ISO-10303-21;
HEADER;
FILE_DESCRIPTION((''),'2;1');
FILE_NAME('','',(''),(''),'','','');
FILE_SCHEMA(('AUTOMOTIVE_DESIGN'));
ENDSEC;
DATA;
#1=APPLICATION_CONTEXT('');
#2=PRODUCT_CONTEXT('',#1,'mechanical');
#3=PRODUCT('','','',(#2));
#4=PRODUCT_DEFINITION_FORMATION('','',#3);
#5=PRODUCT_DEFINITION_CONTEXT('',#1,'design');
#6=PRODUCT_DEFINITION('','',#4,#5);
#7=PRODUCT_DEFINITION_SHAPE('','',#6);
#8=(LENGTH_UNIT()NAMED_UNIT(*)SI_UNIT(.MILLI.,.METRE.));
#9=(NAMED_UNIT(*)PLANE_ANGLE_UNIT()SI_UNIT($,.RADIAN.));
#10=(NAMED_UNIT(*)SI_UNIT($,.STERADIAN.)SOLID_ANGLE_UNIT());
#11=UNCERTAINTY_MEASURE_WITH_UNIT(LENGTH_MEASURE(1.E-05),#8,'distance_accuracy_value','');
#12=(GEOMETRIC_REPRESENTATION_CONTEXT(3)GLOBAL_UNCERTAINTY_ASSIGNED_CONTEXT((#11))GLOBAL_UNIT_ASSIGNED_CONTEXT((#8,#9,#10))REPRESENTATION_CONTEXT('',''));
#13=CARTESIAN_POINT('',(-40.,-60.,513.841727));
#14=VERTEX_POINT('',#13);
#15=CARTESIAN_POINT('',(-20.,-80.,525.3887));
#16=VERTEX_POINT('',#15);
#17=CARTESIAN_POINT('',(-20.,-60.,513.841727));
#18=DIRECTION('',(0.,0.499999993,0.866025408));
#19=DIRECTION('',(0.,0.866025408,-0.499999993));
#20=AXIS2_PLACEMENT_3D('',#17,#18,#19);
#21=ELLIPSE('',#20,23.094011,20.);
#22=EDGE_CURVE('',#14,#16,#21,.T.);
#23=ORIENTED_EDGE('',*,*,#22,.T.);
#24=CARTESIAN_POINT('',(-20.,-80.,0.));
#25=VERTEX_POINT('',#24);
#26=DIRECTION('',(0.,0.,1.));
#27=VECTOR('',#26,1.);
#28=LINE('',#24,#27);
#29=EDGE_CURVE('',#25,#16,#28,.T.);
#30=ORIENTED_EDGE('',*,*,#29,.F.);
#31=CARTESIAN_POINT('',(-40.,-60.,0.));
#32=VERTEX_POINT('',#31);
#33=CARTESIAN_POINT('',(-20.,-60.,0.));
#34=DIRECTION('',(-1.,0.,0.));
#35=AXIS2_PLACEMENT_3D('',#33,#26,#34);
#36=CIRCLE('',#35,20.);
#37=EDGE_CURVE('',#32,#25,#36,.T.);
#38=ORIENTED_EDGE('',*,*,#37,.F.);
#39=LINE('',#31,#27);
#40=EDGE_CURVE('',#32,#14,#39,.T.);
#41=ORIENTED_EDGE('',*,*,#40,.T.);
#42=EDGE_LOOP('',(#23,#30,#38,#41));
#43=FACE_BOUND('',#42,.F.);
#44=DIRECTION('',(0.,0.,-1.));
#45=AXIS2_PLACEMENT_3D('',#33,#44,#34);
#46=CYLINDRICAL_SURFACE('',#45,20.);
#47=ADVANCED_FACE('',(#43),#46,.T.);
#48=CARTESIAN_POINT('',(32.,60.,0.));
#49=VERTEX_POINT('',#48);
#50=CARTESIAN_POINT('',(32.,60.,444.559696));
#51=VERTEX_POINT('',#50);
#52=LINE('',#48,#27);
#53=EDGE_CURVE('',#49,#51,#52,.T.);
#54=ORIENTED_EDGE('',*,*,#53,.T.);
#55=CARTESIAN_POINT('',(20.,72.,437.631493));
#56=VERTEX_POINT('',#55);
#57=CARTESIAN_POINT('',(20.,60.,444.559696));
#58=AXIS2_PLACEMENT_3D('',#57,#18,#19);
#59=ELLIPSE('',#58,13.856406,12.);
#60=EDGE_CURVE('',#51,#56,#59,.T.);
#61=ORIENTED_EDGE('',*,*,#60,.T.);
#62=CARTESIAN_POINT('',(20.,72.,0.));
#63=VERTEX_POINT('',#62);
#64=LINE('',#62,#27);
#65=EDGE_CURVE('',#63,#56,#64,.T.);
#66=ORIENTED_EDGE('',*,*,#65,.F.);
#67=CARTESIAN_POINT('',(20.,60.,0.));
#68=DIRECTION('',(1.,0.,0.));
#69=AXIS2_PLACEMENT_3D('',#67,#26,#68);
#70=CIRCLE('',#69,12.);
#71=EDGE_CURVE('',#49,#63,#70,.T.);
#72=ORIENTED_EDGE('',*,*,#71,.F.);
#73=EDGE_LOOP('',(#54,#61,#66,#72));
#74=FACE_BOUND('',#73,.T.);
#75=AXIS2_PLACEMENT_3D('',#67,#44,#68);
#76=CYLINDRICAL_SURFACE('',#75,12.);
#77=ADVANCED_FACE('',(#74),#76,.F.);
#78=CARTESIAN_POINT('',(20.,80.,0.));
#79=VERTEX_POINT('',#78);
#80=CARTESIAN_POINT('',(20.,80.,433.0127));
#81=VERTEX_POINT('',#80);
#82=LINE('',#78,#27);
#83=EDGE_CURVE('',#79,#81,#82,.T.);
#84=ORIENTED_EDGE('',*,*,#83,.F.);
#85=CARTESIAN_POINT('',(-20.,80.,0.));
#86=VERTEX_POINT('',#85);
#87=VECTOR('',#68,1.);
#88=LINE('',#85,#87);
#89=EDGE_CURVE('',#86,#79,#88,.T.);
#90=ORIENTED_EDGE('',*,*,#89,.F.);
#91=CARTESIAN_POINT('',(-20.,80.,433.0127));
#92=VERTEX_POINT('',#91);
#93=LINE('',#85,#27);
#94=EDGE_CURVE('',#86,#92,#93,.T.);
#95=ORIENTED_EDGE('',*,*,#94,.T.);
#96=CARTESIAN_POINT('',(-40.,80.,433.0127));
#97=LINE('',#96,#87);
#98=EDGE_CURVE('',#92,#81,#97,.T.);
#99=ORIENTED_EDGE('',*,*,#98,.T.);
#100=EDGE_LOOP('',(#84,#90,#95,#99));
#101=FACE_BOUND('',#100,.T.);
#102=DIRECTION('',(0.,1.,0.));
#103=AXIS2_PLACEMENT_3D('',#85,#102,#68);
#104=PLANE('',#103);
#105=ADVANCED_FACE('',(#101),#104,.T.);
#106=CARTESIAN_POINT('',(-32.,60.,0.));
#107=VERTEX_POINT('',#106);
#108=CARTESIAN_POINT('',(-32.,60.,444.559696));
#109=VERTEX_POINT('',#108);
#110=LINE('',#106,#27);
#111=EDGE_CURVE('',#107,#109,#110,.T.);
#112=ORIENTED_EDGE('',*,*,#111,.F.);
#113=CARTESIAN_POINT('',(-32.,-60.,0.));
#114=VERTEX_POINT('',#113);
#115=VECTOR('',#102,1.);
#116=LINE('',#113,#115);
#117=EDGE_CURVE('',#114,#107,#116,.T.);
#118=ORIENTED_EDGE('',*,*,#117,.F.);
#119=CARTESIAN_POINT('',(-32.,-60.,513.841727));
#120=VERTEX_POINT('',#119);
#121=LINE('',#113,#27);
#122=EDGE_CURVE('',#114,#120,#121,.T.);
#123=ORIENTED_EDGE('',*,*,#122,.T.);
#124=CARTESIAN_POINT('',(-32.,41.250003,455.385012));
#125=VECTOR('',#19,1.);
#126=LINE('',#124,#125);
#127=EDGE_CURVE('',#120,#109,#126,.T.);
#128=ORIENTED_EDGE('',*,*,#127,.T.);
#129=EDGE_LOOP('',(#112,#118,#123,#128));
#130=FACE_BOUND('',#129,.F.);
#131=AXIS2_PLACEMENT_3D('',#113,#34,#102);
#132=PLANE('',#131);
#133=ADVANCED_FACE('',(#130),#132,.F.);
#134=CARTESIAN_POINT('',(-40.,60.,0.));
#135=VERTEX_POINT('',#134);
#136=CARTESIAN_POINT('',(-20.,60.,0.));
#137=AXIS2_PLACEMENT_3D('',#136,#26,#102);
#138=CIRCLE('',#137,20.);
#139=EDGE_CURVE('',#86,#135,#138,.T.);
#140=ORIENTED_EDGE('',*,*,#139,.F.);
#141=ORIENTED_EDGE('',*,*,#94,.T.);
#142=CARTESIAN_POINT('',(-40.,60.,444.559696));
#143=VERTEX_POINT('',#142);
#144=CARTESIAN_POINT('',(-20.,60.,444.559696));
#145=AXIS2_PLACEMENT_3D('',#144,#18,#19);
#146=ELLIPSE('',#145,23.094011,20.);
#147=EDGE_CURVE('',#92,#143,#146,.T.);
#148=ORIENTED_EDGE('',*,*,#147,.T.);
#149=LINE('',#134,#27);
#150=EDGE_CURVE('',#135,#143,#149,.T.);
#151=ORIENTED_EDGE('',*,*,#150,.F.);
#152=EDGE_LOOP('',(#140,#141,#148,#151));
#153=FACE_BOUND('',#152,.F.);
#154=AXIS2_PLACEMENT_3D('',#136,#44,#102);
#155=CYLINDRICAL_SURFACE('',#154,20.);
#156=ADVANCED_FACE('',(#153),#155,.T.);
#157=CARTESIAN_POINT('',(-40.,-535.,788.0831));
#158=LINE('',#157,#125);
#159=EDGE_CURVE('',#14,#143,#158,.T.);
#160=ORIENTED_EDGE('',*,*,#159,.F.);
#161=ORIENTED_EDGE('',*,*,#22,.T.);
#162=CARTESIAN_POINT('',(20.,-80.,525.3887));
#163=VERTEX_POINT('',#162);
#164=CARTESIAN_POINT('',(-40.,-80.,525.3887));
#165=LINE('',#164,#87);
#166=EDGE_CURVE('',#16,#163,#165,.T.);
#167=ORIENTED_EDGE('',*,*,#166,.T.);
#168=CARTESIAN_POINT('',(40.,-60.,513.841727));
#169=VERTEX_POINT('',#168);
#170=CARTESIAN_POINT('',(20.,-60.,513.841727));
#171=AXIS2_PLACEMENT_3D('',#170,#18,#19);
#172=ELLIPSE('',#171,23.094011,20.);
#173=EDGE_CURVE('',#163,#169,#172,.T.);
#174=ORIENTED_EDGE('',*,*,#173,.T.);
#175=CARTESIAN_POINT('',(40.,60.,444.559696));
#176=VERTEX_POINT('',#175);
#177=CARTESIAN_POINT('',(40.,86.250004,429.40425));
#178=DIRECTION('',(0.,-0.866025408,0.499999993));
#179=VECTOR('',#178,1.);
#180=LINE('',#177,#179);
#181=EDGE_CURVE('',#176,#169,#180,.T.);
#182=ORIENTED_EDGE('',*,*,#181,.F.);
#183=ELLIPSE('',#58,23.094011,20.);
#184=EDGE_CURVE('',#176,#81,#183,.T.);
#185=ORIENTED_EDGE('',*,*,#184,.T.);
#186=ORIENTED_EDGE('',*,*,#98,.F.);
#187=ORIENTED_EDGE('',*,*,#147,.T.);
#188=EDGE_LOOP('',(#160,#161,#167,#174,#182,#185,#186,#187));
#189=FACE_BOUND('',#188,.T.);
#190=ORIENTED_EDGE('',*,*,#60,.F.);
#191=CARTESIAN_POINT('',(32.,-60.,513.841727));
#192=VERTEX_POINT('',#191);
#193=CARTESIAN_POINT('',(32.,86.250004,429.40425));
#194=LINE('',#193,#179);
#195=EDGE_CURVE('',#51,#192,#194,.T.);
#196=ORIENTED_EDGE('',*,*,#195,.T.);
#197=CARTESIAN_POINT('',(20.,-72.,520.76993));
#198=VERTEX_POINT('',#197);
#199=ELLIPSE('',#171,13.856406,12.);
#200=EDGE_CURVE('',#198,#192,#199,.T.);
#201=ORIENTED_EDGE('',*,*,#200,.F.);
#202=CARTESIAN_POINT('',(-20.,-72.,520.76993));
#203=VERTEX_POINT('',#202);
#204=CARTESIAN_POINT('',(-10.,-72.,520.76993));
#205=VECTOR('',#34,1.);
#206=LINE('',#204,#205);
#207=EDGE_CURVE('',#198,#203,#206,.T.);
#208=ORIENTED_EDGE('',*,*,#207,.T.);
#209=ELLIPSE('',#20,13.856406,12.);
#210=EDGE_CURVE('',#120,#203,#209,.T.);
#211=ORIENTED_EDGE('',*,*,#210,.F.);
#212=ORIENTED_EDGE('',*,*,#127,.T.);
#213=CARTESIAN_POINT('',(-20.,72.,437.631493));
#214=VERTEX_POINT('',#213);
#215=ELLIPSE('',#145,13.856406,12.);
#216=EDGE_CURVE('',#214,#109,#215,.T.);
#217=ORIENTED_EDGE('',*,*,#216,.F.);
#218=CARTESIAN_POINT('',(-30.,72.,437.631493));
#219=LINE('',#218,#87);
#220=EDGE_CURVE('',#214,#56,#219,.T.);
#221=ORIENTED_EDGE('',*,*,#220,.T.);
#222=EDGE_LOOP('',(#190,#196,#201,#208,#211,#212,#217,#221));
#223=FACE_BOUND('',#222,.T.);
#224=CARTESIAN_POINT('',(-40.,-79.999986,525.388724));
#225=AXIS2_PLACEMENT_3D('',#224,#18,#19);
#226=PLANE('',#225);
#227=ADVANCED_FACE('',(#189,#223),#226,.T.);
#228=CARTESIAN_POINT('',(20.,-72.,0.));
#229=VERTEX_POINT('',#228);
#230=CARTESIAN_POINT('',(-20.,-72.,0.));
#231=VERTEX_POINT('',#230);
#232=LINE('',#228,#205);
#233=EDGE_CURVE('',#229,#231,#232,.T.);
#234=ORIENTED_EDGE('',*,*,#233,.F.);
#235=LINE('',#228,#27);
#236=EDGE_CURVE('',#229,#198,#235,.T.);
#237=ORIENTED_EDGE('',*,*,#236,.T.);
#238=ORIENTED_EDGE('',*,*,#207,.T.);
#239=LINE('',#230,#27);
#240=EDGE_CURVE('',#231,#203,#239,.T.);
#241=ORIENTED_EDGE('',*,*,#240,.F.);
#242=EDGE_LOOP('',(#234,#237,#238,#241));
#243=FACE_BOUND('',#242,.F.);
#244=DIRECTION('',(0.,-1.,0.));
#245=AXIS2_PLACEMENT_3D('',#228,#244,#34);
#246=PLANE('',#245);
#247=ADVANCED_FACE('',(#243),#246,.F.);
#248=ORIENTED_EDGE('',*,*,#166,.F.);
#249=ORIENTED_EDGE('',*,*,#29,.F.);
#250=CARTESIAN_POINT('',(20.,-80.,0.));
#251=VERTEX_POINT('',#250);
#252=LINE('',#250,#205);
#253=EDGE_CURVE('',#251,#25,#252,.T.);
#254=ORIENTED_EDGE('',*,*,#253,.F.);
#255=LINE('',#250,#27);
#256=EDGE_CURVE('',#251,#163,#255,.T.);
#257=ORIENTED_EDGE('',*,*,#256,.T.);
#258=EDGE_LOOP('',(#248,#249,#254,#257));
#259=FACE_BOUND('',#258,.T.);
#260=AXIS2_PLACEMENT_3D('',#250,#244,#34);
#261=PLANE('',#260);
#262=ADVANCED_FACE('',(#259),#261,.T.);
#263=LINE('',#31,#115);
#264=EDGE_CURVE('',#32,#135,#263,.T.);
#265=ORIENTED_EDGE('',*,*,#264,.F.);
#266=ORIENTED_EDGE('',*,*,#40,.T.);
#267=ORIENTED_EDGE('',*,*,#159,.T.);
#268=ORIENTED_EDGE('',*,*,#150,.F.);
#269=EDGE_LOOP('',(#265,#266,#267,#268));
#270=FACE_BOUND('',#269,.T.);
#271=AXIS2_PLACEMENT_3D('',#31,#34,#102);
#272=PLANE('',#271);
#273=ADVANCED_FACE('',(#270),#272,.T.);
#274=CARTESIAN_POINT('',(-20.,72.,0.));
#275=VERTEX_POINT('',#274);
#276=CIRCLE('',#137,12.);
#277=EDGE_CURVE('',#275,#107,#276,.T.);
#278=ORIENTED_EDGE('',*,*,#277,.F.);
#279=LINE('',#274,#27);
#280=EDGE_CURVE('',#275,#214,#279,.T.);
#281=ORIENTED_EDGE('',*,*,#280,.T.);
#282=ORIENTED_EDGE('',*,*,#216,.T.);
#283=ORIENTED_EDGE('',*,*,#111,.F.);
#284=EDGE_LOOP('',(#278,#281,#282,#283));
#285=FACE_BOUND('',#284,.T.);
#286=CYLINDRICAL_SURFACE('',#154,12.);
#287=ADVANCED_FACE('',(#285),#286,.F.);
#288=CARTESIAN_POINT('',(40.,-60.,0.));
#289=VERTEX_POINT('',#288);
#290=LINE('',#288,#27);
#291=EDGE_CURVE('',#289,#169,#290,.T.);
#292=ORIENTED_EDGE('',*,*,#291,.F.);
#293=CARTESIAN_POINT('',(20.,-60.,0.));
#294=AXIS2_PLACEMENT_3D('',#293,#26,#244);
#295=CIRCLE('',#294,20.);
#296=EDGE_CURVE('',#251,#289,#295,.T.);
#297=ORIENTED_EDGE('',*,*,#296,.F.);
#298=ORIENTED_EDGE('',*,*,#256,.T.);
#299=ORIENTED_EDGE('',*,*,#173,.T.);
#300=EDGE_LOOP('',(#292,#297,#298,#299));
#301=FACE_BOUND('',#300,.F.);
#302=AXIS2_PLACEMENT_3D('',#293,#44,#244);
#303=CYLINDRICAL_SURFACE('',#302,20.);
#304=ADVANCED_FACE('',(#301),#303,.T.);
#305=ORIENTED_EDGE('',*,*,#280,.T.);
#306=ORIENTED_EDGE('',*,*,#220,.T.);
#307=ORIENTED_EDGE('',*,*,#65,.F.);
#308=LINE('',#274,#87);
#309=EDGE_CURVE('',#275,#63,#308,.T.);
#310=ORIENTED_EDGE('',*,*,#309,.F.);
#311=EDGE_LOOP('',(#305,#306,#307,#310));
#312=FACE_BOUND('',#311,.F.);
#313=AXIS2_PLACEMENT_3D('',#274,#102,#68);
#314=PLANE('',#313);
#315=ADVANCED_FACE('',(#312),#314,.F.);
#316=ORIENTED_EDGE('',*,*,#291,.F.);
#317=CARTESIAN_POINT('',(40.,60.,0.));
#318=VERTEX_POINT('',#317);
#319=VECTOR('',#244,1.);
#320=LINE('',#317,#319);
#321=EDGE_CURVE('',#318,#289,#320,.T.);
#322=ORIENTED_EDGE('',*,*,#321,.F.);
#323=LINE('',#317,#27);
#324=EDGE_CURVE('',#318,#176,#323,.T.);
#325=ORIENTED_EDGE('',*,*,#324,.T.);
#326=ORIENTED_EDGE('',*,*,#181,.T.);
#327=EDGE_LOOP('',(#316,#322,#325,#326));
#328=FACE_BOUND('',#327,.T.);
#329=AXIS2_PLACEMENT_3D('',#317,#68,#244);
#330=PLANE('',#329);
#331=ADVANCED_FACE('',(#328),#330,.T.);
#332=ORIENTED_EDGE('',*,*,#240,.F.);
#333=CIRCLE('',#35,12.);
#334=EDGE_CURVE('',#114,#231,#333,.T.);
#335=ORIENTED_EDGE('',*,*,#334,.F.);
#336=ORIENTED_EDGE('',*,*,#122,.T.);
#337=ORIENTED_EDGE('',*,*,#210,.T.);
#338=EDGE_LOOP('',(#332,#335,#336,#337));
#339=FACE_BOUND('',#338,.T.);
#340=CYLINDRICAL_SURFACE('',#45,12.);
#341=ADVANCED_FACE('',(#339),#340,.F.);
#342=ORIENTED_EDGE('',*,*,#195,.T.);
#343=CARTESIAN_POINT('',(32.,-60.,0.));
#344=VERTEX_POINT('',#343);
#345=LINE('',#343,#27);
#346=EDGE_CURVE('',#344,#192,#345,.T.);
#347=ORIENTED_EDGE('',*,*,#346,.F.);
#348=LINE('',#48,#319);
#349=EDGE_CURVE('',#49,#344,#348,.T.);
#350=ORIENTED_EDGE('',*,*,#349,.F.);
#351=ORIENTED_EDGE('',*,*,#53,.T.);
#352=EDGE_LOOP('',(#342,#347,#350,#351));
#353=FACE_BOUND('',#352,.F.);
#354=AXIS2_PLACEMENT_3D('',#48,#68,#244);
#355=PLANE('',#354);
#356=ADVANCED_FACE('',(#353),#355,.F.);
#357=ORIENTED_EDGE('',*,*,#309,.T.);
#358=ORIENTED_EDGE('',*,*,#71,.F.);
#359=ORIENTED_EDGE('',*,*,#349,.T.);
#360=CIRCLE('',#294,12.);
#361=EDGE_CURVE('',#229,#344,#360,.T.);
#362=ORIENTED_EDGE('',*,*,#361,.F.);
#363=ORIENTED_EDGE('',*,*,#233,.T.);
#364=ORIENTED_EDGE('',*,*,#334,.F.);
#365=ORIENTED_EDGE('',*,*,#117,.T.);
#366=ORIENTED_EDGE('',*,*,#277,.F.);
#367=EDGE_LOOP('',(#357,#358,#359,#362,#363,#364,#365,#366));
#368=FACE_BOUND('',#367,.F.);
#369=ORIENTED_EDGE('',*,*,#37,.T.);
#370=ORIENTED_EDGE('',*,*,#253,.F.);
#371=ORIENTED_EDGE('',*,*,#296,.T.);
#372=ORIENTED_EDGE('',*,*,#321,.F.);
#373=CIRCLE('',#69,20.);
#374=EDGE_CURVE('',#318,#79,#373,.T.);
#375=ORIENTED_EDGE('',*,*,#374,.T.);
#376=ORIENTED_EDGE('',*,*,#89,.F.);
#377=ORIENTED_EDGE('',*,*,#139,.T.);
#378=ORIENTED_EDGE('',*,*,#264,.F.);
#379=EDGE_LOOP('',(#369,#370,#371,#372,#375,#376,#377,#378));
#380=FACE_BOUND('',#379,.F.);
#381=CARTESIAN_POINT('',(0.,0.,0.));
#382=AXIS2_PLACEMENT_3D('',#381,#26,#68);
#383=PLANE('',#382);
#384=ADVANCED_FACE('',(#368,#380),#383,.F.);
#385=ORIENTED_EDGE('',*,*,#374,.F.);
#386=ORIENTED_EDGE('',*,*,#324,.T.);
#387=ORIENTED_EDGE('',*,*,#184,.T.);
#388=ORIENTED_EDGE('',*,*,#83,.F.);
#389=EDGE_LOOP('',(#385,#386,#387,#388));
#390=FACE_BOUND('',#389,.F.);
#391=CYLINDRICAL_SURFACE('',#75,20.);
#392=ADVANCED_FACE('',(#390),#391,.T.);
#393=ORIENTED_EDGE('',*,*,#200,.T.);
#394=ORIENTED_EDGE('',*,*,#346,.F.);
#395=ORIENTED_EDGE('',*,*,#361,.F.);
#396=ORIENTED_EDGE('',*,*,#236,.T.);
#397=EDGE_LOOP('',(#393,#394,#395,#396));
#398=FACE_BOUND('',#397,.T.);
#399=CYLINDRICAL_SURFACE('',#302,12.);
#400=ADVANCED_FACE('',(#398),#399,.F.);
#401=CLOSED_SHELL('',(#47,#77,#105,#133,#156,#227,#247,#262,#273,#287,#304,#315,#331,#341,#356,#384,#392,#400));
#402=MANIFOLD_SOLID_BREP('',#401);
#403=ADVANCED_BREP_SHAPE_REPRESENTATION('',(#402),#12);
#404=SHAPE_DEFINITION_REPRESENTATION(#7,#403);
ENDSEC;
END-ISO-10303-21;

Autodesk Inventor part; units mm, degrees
ref_plane "YZ Plane" through (0, 0, 0) normal (1, 0, 0) x (0, 1, 0)
ref_plane "Start plane" through (0, 0, 0) normal (0, 0, 1) x (1, 0, 0)
ref_plane "End plane" through (0, 0, 545) normal (0, 0, 1) x (1, 0, 0)
sketch "Sketch" plane through (0, 0, 0) normal (0, 0, 1) x (1, 0, 0)
  line L0 (-40, -60) -> (-40, 60)
  line L1 (-20, 80) -> (20, 80)
  line L2 (40, 60) -> (40, -60)
  line L3 (20, -80) -> (-20, -80)
  arc A0 (-40, -60) -> (-20, -80) centre (-20, -60) ccw
  arc A1 (-20, 80) -> (-40, 60) centre (-20, 60) ccw
  arc A2 (40, 60) -> (20, 80) centre (20, 60) ccw
  arc A3 (20, -80) -> (40, -60) centre (20, -60) ccw
  arc A4 (-20, 72) -> (-32, 60) centre (-20, 60) ccw
  line L4 (-20, 72) -> (20, 72)
  arc A5 (32, 60) -> (20, 72) centre (20, 60) ccw
  line L5 (32, 60) -> (32, -60)
  arc A6 (20, -72) -> (32, -60) centre (20, -60) ccw
  line L6 (20, -72) -> (-20, -72)
  arc A7 (-32, -60) -> (-20, -72) centre (-20, -60) ccw
  line L7 (-32, -60) -> (-32, 60)
  line L8 (0, 37.1021) -> (0, -37.1021) construction
  line L9 (-23.1021, 0) -> (23.1021, 0) construction
  dimension "d7" = 20
  dimension "d10" = 160
  dimension "d11" = 80
  dimension "d12" = 8
  dimension "d15" = 80
  dimension "d16" = 40
extrude "Body" add sketch "Sketch" along normal up to surface (545 mm away) from surface at 0
sketch "Sketch3" plane through (0, 0, 0) normal (0, 0, 1) x (1, 0, 0)
  line L0 (0, 0) -> (10, 0)
ref_plane "Work Plane3" through (0, 0, 0) normal (0, -1, 0) x (1, 0, 0)
sketch "Sketch4" plane through (0, 0, 0) normal (0, -1, 0) x (1, 0, 0)
  line L0 (-2, 0) -> (12, 0)
  line L1 (-2, 545) -> (12, 545)
  dimension "d18" = 545
sketch "Sketch5" plane through (-40, 60, 0) normal (-1, 0, 0) x (0, 0, 1)
  line L0 (798.4754, -589) -> (426.7254, 54.8899) projected
  line L1 (788.0831, -595) -> (416.3331, 48.8899) projected
  line L2 (0, 20) -> (545, 20) projected
  line L3 (433.0127, 20) -> (525.3887, -140)
  line L4 (0, -140) -> (545, -140) projected
  line L5 (433.0127, 20) -> (567.7194, 91.9872)
  line L6 (567.7194, 91.9872) -> (571.1122, -140)
  line L7 (571.1122, -140) -> (538.6384, -147.4465)
  line L8 (538.6384, -147.4465) -> (525.3887, -140)
  point P0 (0, -60)
extrude "Extrusion2" cut sketch "Sketch5" against normal blind 92
equation "\"d7\" = G_IR"
equation "\"d10\" = G_H"
equation "\"d11\" = G_W"
equation "\"d12\" = G_T"
equation "\"d15\" = 0.5 * d10"
equation "\"d16\" = 0.5 * d11"
equation "\"d3\" = G_L"
equation "\"G_W\" = 80"
equation "\"G_H\" = 160"
equation "\"G_T\" = 8"
equation "\"G_IR\" = 20"
equation "\"G_L\" = d18"
equation "\"G_OFFSET_START\" = 0"
equation "\"G_OFFSET_END\" = 0"
equation "\"d14\" = G_OFFSET_END + B_L"
equation "\"B_L\" = 545"
properties part number "PN EN 10219-2 - 160 x 80 x 8  - 545" material "Steel, Mild"
